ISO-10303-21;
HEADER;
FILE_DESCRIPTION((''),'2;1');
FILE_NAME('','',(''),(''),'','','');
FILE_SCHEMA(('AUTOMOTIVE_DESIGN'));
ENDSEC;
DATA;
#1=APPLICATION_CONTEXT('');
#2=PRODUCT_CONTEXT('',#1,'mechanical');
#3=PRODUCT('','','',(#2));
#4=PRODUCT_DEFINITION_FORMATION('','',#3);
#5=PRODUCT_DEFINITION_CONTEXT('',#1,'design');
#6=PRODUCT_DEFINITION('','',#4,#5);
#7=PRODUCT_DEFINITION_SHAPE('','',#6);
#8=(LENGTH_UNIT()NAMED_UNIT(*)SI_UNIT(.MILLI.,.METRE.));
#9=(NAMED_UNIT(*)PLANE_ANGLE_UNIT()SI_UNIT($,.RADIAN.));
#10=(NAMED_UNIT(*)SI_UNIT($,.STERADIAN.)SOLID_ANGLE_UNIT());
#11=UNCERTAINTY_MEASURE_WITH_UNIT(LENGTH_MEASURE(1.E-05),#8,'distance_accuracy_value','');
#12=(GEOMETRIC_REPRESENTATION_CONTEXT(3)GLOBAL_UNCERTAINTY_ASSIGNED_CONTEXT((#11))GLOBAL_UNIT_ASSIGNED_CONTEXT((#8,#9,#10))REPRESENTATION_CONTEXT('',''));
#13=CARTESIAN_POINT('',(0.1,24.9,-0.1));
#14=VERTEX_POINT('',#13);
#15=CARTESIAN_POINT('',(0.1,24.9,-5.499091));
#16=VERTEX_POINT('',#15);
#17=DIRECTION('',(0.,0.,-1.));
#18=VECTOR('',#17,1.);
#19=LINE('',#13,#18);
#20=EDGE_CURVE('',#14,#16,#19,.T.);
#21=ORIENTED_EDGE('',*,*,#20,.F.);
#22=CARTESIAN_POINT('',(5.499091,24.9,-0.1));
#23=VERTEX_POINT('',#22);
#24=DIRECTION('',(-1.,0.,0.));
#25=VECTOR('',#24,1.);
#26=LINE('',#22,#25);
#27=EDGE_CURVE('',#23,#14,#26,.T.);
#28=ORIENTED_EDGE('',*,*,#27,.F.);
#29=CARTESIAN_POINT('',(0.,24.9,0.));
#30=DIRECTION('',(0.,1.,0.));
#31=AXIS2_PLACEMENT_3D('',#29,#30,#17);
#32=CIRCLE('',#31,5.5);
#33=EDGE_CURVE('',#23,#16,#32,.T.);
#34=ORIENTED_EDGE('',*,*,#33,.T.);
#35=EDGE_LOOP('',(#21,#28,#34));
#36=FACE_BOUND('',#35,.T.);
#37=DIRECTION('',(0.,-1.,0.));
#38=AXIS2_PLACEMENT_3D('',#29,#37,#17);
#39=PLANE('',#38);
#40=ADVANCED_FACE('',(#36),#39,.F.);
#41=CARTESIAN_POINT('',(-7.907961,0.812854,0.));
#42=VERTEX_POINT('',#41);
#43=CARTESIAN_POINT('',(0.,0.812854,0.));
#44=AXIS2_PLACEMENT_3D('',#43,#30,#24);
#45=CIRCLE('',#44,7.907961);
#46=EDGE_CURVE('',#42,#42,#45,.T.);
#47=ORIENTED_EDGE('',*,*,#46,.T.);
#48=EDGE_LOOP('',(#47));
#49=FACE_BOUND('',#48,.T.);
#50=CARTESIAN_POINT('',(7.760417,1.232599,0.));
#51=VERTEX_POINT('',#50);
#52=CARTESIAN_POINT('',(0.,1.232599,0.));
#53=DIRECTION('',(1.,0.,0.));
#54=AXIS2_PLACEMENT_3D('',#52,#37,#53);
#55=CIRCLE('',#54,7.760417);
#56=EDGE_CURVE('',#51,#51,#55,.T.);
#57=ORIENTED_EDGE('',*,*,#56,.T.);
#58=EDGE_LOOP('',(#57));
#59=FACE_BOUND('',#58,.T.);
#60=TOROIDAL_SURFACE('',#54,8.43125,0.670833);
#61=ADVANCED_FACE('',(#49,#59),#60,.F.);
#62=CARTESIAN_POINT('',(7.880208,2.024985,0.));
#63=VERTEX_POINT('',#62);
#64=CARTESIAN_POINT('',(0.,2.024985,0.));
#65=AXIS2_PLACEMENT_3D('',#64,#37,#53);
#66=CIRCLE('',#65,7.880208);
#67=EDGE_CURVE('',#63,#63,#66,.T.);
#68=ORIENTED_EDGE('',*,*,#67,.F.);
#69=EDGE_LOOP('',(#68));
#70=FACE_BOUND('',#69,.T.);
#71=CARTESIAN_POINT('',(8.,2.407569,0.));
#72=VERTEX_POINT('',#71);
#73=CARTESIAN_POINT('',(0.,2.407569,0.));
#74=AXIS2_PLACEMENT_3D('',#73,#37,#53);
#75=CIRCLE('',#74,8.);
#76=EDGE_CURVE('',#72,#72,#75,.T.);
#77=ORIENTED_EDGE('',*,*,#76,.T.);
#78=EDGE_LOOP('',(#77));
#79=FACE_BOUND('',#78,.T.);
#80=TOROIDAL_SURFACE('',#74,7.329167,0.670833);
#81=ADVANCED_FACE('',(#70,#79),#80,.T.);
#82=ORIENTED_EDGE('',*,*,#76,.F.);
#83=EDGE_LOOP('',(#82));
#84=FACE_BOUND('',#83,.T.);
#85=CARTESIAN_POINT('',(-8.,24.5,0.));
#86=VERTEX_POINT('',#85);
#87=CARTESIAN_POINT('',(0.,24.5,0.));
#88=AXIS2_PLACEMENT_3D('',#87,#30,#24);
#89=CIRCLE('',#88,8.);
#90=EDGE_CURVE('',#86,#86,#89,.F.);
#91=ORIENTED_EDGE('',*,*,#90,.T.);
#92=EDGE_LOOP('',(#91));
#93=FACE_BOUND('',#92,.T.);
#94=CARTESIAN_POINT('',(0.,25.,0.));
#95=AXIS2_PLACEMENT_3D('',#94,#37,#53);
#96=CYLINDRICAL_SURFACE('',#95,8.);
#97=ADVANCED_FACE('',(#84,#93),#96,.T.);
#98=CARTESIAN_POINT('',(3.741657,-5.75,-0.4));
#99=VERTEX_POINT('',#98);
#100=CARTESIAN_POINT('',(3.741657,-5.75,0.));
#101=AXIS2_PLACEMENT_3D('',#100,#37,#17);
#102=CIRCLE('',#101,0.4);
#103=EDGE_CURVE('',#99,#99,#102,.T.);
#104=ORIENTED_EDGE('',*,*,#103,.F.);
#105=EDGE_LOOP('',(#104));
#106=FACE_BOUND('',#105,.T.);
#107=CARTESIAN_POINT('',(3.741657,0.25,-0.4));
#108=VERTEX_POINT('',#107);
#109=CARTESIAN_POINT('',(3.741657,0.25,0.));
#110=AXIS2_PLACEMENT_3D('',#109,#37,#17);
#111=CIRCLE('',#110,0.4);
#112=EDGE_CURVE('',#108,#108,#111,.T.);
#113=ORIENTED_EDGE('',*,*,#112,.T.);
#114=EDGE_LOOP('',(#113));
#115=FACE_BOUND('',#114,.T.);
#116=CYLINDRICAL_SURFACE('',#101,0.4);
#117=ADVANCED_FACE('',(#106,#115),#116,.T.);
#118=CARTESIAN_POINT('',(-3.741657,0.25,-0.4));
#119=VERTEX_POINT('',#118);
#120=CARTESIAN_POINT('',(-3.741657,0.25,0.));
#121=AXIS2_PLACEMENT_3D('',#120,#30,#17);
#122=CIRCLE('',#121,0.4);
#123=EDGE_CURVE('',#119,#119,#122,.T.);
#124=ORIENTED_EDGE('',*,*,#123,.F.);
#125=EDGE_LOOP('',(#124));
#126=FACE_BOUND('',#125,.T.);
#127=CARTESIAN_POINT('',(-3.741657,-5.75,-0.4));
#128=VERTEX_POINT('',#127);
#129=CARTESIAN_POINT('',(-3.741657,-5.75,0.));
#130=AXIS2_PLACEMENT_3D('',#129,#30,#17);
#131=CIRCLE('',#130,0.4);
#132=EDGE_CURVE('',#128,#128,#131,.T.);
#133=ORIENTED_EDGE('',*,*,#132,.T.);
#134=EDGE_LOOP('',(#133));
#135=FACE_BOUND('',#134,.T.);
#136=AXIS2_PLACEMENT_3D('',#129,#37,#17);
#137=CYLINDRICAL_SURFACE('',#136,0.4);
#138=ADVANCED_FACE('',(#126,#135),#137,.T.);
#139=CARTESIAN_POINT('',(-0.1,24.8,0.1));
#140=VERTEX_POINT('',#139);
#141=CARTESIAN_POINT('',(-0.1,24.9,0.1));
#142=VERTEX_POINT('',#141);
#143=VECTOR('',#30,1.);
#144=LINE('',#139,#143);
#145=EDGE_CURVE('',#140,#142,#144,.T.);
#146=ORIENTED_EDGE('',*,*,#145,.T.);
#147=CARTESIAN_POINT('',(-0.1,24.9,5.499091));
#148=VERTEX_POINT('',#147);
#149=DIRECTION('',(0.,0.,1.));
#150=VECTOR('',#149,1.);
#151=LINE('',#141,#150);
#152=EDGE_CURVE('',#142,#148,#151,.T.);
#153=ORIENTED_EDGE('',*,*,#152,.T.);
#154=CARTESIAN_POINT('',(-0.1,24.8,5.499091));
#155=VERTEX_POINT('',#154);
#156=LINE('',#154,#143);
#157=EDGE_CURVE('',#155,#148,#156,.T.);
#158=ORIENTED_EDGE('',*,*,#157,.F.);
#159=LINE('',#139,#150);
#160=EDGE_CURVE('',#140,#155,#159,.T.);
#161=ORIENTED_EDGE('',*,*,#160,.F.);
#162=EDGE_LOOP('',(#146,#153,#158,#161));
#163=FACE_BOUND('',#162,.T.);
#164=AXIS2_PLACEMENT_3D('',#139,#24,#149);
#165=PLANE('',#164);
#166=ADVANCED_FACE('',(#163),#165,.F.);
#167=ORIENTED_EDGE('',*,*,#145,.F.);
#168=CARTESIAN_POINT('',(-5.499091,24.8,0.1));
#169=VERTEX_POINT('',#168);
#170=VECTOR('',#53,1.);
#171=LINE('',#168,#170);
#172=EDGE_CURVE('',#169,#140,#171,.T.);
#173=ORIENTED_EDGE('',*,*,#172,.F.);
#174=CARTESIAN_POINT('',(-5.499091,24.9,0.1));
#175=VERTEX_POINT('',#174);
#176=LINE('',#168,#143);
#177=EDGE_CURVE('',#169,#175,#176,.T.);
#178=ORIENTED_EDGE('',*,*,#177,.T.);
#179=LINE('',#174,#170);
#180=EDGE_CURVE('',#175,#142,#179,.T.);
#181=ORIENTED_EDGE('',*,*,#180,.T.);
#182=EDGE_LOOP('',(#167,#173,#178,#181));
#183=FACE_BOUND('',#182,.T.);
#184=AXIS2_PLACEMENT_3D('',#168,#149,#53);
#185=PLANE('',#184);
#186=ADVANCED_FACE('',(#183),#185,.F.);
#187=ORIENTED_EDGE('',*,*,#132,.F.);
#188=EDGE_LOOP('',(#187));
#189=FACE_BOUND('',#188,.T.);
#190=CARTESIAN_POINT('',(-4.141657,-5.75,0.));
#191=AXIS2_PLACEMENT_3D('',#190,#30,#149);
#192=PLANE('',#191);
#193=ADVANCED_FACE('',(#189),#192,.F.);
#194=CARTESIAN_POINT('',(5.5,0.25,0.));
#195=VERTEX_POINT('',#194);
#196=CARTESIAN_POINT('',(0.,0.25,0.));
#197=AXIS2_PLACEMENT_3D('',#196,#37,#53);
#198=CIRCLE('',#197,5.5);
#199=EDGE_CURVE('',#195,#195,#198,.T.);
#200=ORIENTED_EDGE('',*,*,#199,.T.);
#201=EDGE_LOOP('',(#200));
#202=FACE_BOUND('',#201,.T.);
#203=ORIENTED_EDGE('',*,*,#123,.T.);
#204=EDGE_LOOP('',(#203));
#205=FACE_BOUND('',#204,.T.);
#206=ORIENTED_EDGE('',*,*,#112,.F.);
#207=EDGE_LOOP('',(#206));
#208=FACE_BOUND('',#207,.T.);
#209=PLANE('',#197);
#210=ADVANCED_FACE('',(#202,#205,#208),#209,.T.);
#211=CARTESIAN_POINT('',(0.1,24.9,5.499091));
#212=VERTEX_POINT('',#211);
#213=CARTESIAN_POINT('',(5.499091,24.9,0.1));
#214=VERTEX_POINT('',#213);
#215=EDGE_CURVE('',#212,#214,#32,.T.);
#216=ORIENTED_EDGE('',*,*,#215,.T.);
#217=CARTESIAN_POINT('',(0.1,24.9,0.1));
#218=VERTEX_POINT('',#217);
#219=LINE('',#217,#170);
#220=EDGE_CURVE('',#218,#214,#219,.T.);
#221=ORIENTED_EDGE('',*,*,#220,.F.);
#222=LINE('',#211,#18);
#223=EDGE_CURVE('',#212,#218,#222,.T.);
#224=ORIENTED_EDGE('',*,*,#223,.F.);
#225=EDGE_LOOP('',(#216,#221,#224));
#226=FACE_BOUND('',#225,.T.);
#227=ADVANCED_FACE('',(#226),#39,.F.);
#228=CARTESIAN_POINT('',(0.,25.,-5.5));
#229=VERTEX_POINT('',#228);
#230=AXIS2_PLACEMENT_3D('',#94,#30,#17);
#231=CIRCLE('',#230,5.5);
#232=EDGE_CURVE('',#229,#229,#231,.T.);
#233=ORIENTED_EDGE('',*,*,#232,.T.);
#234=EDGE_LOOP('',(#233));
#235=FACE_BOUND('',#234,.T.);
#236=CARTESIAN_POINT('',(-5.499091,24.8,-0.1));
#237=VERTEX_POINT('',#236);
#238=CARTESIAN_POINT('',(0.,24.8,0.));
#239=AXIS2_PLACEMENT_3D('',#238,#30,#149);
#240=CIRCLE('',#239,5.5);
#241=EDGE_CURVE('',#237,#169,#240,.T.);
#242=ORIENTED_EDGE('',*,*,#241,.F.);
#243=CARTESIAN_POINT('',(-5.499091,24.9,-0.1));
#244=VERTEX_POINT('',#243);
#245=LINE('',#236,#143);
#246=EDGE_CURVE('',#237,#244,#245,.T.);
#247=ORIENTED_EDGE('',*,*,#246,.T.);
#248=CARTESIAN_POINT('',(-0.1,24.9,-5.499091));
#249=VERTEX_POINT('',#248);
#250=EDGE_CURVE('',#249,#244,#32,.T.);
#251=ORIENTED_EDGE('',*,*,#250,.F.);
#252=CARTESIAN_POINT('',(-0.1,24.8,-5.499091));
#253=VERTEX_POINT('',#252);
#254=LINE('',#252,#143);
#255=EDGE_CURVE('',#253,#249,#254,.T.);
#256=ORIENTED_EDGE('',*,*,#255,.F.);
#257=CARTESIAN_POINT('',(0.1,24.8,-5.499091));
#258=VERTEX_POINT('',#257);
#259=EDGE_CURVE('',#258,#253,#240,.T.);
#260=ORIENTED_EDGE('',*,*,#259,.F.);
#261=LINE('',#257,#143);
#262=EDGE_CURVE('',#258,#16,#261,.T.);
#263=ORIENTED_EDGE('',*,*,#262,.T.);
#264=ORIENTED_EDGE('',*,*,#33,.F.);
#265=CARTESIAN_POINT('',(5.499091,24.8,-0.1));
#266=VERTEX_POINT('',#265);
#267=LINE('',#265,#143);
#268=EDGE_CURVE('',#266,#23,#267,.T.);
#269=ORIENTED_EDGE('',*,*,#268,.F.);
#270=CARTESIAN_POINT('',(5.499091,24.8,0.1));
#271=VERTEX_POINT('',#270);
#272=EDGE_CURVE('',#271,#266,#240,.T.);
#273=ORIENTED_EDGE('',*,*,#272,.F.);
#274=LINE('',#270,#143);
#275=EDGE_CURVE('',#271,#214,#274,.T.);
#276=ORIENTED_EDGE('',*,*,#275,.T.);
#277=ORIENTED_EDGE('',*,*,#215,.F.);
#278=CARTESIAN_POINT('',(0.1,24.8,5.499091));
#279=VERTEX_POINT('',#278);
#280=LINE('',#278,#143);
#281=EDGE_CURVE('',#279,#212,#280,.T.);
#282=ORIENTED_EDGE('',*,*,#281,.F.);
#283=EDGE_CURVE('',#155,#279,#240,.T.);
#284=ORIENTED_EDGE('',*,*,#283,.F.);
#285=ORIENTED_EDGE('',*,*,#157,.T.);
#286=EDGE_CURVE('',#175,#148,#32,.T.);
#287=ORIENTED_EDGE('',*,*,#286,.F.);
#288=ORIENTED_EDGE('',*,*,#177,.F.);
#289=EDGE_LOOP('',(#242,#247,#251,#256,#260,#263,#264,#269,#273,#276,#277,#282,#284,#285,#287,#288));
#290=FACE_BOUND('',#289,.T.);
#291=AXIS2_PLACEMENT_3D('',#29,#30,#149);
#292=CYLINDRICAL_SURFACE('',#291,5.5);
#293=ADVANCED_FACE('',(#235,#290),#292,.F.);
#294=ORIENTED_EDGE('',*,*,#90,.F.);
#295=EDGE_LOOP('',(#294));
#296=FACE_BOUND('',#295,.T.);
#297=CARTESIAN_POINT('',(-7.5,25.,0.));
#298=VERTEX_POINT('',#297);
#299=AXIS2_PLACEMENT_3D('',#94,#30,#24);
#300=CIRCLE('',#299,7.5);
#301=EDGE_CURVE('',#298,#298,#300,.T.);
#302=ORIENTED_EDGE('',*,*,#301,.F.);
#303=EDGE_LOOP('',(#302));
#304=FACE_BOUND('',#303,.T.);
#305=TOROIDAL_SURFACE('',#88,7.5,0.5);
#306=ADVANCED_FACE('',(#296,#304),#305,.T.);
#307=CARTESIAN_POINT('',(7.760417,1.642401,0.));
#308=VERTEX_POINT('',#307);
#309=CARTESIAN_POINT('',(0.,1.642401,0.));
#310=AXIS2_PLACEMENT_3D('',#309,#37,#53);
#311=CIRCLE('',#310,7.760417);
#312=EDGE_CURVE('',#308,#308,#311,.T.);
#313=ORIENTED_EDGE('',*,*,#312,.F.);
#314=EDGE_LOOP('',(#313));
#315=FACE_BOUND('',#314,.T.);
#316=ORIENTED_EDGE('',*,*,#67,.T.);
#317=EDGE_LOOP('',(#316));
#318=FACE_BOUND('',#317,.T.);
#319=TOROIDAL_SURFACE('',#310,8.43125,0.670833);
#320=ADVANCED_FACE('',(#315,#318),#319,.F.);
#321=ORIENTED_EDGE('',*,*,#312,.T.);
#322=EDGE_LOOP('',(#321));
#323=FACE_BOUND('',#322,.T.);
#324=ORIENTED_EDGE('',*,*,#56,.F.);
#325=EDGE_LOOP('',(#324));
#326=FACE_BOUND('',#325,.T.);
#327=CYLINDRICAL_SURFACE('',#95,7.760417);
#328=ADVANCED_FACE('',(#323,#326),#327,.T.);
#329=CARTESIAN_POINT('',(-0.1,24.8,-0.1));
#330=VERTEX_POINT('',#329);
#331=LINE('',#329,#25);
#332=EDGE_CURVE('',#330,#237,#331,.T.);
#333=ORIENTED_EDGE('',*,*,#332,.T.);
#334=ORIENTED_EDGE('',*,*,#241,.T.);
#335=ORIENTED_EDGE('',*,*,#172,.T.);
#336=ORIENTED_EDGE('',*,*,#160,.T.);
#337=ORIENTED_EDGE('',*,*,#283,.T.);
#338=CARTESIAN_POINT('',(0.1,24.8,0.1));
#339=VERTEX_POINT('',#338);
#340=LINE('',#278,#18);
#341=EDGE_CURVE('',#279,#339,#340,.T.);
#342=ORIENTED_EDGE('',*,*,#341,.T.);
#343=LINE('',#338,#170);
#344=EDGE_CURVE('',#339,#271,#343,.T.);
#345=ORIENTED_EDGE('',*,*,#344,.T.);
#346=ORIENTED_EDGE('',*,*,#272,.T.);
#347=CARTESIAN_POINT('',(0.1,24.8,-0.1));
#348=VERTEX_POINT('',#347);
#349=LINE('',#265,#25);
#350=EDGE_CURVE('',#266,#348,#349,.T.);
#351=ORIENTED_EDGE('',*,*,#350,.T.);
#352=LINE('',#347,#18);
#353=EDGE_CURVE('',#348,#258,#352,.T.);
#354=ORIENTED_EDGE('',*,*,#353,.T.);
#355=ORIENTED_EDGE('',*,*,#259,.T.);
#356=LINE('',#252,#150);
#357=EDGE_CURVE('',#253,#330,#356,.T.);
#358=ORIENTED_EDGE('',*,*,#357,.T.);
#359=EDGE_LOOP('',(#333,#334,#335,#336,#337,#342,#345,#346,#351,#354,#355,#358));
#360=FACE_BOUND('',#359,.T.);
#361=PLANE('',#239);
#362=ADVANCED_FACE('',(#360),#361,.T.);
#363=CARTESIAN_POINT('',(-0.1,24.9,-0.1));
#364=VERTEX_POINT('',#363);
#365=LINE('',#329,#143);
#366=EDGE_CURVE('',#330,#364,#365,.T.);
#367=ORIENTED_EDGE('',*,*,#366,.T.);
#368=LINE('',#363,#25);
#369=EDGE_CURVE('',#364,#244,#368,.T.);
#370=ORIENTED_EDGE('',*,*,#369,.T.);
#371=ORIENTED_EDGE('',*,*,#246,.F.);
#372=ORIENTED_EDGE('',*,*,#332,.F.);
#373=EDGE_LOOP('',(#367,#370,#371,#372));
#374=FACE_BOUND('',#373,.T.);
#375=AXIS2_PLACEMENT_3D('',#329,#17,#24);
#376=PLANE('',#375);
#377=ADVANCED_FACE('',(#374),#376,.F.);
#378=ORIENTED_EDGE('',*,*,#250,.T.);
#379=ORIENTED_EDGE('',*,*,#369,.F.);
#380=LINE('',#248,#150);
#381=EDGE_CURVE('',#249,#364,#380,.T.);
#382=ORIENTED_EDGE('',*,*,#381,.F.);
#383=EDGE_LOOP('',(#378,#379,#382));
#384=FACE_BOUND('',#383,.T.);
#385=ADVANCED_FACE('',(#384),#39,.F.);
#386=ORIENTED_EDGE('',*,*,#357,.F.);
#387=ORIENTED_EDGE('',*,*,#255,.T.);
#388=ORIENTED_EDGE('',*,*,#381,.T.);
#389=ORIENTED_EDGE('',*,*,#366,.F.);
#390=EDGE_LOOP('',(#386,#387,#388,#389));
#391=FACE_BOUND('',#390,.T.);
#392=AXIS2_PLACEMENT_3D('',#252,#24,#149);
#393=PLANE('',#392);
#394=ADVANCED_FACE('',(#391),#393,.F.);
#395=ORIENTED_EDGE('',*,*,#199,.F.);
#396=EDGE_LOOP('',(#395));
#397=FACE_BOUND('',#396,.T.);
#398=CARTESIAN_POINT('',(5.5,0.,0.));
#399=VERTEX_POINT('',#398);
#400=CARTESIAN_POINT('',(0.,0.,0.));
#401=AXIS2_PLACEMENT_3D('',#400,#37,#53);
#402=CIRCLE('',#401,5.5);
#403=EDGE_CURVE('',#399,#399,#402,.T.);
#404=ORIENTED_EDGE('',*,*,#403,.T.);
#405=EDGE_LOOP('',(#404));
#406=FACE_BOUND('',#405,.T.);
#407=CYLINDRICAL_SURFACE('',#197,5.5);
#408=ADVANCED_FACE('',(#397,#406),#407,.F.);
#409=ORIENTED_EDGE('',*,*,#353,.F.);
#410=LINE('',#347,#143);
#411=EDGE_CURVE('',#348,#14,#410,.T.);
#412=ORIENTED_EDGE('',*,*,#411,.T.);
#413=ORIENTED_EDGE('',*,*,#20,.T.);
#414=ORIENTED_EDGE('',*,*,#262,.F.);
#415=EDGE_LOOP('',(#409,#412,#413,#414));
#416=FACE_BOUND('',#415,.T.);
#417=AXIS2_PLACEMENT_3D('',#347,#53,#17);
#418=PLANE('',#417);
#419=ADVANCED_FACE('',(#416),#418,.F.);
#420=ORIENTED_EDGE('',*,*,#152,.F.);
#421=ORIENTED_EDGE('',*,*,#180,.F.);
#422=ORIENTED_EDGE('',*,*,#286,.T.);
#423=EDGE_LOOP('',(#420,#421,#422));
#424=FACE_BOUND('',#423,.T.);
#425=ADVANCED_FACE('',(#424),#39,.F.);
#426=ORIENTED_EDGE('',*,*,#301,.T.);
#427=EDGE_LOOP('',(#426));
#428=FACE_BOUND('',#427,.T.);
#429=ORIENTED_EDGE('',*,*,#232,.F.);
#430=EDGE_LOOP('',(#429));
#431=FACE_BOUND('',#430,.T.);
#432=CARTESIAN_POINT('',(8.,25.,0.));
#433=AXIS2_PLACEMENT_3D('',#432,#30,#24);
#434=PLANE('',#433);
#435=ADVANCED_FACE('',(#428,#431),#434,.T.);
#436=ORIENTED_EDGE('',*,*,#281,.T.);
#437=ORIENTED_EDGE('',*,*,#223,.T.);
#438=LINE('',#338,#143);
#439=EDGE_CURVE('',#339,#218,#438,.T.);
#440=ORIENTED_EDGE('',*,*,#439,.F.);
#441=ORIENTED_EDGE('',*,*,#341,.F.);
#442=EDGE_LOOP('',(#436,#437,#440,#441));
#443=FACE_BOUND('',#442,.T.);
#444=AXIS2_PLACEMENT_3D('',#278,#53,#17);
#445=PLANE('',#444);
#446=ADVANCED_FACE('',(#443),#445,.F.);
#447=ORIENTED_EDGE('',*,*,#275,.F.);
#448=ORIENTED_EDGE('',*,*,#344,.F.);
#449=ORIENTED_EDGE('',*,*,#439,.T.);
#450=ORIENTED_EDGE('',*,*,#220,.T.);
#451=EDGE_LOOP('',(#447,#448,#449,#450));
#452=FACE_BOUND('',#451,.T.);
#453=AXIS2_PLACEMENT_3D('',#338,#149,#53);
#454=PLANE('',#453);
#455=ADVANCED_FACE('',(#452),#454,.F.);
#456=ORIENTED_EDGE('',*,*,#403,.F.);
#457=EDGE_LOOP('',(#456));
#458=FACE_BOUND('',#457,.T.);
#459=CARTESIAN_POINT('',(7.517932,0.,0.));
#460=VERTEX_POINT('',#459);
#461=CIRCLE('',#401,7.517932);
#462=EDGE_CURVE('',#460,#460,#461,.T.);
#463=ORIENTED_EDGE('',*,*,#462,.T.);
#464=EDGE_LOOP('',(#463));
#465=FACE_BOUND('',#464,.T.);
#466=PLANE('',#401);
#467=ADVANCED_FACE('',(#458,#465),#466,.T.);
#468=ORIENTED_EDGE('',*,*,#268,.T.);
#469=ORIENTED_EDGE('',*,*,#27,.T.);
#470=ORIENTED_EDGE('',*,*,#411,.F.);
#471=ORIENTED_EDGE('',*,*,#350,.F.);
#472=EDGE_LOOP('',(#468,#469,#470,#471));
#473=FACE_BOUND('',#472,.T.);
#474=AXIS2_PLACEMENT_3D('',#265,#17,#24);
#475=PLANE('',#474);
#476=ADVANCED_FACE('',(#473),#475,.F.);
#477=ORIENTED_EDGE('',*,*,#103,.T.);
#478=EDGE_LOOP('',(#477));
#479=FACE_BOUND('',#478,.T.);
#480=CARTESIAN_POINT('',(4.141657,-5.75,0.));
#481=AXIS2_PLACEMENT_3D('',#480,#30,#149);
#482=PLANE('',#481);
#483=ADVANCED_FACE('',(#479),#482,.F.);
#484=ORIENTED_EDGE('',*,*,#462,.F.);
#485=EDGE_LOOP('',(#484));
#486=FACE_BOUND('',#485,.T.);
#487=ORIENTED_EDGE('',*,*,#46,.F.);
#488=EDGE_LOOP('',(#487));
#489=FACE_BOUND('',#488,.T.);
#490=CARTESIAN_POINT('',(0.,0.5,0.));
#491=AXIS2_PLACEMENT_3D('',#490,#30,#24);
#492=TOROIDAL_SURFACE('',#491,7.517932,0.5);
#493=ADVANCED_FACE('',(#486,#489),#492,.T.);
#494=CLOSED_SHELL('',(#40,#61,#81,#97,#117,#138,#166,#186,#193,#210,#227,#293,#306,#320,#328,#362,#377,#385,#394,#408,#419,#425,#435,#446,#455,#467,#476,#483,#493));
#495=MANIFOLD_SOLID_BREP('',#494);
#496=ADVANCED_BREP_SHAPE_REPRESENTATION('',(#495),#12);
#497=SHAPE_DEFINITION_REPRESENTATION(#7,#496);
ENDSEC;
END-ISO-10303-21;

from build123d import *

# Parameters (mm, degrees)
SKETCH2_R             = 5.5
CUT_EXTRUDE1_DEPTH    = 0.1
CUT_EXTRUDE2_DEPTH    = 0.1
CORTAR_EXTRUIR1_START = -0.25
CROQUIS1_R            = 5.5
CORTAR_EXTRUIR1_DEPTH = 0.25
FILLET1_R             = 0.5
SKETCH4_W             = 0.4
SKETCH4_H             = 6


with BuildPart() as part:
    # Sketch1 → Revolve1 (revolve)
    with BuildSketch(Plane.XY):
        with BuildLine():
            Line((8, 25), (0, 25))
            Line((0, 25), (0, 0))
            Line((0, 0), (8, 0))
            ThreePointArc((8, 0), (8.092932458, 0.406232629), (7.928060317, 0.788957816))
            ThreePointArc((7.928060317, 0.788957816), (7.803725589, 0.995469347), (7.760416667, 1.232599004))
            Line((7.760416667, 1.232599004), (7.760416667, 1.642400996))
            ThreePointArc((7.760416667, 1.642400996), (7.791064683, 1.842850794), (7.880208333, 2.024984899))
            ThreePointArc((7.880208333, 2.024984899), (7.969351983, 2.207119004), (8, 2.407568802))
            Line((8, 2.407568802), (8, 25))
        make_face()
    revolve(axis=Axis((0, 25, 0), (0, -1, 0)))

    # Sketch2 → Cut-Extrude1 (cut)
    with BuildSketch(Plane(origin=(0, 25, 0), x_dir=(-1, 0, 0), z_dir=(0, 1, 0))):
        with Locations(Location((0, 0, 0), (0, 0, 270))):
            Circle(SKETCH2_R)
    extrude(amount=-CUT_EXTRUDE1_DEPTH, mode=Mode.SUBTRACT)

    # Sketch3 → Cut-Extrude2 (cut)
    with BuildSketch(Plane(origin=(0, 24.9, 0), x_dir=(-1, 0, 0), z_dir=(0, 1, 0))):
        with BuildLine():
            Line((-5.499090834, -0.1), (-0.1, -0.1))
            Line((-0.1, -0.1), (-0.1, -5.499090834))
            ThreePointArc((-0.1, -5.499090834), (-0.050002066, -5.499772704), (0, -5.5))
            ThreePointArc((0, -5.5), (0.050002066, -5.499772704), (0.1, -5.499090834))
            Line((0.1, -5.499090834), (0.1, -0.1))
            Line((0.1, -0.1), (5.499090834, -0.1))
            ThreePointArc((5.499090834, -0.1), (5.499772704, -0.050002066), (5.5, 0))
            ThreePointArc((5.5, 0), (5.499772704, 0.050002066), (5.499090834, 0.1))
            Line((5.499090834, 0.1), (0.1, 0.1))
            Line((0.1, 0.1), (0.1, 5.499090834))
            ThreePointArc((0.1, 5.499090834), (0.050002066, 5.499772704), (0, 5.5))
            ThreePointArc((0, 5.5), (-0.050002066, 5.499772704), (-0.1, 5.499090834))
            Line((-0.1, 5.499090834), (-0.1, 0.1))
            Line((-0.1, 0.1), (-5.499090834, 0.1))
            ThreePointArc((-5.499090834, 0.1), (-5.499772704, 0.050002066), (-5.5, 0))
            ThreePointArc((-5.5, 0), (-5.499772704, -0.050002066), (-5.499090834, -0.1))
        make_face()
    extrude(amount=-CUT_EXTRUDE2_DEPTH, mode=Mode.SUBTRACT)

    # Croquis1 → Cortar-Extruir1 (cut)
    with BuildSketch(Plane.XZ.offset(CORTAR_EXTRUIR1_START)):
        with Locations(Location((0, 0, 0), (0, 0, 88.95820115))):
            Circle(CROQUIS1_R)
    extrude(amount=CORTAR_EXTRUIR1_DEPTH, mode=Mode.SUBTRACT)

    # Fillet1
    fillet1_edges = [part.edges().sort_by_distance(p)[0] for p in [
        (-8, 25, 0),
        (-8, 0, 0),
    ]]
    fillet(fillet1_edges, radius=FILLET1_R)

    # Sketch4 → Revolución1 (revolve)
    with BuildSketch(Plane(origin=(0, 0, 0), x_dir=(-1, 0, 0), z_dir=(0, 0, -1)), mode=Mode.PRIVATE) as revoluci_n1_sk:
        with Locations((-3.941657387, -2.75)):
            Rectangle(SKETCH4_W, SKETCH4_H)
    revoluci_n1 = revolve(revoluci_n1_sk.sketch.rotate(Axis((3.741657387, -5.75, 0), (0, 1, 0)), 90), axis=Axis((3.741657387, -5.75, 0), (0, 1, 0)))

    # Simetría1: Revolución1 across plane
    add(revoluci_n1.mirror(Plane(origin=(0, 0, 0), x_dir=(0, 0, 1), z_dir=(1, 0, 0))))


solid = part.part
